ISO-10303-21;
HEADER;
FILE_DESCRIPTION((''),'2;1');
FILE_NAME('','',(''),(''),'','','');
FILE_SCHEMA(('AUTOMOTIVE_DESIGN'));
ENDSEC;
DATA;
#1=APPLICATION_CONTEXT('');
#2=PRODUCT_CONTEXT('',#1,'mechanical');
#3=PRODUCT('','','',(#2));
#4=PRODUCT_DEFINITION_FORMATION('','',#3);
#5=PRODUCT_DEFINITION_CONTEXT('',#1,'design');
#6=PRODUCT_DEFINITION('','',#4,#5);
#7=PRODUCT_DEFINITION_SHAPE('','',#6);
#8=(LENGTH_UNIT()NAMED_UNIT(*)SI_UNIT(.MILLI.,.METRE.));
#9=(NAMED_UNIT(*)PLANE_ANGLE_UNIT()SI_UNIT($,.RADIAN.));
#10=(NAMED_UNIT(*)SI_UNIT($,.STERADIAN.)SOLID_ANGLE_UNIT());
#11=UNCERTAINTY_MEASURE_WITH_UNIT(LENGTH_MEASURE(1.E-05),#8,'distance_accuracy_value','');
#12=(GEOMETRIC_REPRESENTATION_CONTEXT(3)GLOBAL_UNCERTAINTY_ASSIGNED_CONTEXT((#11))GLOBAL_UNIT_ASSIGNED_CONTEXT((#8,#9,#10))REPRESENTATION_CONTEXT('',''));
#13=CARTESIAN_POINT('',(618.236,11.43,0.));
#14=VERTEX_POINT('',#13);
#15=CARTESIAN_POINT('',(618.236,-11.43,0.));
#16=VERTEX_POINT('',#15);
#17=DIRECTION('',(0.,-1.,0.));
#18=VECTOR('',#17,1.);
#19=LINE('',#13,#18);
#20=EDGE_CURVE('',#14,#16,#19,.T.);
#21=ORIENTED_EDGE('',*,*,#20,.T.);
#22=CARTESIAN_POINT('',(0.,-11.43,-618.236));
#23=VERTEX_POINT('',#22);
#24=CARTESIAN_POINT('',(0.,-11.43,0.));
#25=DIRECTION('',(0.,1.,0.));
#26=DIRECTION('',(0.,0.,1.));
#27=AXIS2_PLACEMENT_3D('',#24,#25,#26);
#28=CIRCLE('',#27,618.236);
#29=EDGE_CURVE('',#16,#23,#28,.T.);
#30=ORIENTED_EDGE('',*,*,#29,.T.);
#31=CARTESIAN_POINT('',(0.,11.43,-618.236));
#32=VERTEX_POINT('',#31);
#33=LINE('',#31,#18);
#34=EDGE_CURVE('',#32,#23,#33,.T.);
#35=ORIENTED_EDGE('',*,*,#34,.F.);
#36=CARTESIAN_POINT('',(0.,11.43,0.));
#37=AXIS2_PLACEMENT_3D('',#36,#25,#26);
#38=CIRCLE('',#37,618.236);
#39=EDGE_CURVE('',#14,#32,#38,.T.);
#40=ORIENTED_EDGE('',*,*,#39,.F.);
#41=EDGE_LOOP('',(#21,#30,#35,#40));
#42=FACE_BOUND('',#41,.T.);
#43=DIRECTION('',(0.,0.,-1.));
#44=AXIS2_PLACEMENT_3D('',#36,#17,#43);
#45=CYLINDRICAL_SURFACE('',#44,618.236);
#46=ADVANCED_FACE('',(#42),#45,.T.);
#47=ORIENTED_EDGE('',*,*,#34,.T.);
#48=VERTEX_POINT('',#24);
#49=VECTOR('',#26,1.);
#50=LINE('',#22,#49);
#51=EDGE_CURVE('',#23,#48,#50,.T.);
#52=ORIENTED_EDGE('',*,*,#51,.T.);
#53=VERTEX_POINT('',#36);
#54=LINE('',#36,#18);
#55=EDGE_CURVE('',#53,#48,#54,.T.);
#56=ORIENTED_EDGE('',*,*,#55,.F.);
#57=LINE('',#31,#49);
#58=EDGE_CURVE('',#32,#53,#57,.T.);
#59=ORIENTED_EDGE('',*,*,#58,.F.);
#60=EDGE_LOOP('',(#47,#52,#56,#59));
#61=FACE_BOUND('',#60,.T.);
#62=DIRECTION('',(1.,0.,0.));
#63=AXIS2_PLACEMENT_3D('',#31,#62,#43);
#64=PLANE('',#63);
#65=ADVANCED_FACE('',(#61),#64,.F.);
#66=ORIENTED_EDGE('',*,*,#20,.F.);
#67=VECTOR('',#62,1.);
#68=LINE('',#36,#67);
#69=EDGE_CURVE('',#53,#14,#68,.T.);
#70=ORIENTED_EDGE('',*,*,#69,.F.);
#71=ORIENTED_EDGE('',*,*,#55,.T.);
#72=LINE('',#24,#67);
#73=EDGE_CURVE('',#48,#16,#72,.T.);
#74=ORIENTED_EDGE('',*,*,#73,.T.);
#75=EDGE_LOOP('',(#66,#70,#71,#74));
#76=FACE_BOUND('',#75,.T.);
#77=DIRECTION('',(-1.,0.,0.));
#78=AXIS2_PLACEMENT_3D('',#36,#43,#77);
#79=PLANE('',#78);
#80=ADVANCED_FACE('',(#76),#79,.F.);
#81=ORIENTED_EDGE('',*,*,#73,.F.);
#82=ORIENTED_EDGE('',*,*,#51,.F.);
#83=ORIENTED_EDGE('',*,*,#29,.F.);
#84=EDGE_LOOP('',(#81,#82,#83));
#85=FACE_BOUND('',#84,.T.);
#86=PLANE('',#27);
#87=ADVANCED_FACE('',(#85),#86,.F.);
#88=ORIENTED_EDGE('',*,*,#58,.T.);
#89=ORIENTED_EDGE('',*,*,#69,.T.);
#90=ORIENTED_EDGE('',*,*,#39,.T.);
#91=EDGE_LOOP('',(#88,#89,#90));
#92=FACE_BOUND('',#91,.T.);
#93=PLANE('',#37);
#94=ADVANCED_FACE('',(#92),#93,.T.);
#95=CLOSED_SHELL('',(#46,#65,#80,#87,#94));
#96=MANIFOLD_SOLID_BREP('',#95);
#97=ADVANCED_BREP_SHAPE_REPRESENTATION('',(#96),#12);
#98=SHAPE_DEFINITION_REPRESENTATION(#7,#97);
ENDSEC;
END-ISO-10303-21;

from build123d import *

# Parameters (mm, degrees)
BOSS_EXTRUDE1_DEPTH = 11.43


with BuildPart() as part:
    # Sketch1 → Boss-Extrude1 (new body, symmetric)
    with BuildSketch(Plane(origin=(0, 0, 0), x_dir=(1, 0, 0), z_dir=(0, 1, 0))):
        with BuildLine():
            Line((0, 618.236), (0, 0))
            Line((0, 0), (618.236, 0))
            ThreePointArc((618.236, 0), (437.158867974, 437.158867974), (0, 618.236))
        make_face()
    extrude(amount=BOSS_EXTRUDE1_DEPTH, both=True)


solid = part.part
